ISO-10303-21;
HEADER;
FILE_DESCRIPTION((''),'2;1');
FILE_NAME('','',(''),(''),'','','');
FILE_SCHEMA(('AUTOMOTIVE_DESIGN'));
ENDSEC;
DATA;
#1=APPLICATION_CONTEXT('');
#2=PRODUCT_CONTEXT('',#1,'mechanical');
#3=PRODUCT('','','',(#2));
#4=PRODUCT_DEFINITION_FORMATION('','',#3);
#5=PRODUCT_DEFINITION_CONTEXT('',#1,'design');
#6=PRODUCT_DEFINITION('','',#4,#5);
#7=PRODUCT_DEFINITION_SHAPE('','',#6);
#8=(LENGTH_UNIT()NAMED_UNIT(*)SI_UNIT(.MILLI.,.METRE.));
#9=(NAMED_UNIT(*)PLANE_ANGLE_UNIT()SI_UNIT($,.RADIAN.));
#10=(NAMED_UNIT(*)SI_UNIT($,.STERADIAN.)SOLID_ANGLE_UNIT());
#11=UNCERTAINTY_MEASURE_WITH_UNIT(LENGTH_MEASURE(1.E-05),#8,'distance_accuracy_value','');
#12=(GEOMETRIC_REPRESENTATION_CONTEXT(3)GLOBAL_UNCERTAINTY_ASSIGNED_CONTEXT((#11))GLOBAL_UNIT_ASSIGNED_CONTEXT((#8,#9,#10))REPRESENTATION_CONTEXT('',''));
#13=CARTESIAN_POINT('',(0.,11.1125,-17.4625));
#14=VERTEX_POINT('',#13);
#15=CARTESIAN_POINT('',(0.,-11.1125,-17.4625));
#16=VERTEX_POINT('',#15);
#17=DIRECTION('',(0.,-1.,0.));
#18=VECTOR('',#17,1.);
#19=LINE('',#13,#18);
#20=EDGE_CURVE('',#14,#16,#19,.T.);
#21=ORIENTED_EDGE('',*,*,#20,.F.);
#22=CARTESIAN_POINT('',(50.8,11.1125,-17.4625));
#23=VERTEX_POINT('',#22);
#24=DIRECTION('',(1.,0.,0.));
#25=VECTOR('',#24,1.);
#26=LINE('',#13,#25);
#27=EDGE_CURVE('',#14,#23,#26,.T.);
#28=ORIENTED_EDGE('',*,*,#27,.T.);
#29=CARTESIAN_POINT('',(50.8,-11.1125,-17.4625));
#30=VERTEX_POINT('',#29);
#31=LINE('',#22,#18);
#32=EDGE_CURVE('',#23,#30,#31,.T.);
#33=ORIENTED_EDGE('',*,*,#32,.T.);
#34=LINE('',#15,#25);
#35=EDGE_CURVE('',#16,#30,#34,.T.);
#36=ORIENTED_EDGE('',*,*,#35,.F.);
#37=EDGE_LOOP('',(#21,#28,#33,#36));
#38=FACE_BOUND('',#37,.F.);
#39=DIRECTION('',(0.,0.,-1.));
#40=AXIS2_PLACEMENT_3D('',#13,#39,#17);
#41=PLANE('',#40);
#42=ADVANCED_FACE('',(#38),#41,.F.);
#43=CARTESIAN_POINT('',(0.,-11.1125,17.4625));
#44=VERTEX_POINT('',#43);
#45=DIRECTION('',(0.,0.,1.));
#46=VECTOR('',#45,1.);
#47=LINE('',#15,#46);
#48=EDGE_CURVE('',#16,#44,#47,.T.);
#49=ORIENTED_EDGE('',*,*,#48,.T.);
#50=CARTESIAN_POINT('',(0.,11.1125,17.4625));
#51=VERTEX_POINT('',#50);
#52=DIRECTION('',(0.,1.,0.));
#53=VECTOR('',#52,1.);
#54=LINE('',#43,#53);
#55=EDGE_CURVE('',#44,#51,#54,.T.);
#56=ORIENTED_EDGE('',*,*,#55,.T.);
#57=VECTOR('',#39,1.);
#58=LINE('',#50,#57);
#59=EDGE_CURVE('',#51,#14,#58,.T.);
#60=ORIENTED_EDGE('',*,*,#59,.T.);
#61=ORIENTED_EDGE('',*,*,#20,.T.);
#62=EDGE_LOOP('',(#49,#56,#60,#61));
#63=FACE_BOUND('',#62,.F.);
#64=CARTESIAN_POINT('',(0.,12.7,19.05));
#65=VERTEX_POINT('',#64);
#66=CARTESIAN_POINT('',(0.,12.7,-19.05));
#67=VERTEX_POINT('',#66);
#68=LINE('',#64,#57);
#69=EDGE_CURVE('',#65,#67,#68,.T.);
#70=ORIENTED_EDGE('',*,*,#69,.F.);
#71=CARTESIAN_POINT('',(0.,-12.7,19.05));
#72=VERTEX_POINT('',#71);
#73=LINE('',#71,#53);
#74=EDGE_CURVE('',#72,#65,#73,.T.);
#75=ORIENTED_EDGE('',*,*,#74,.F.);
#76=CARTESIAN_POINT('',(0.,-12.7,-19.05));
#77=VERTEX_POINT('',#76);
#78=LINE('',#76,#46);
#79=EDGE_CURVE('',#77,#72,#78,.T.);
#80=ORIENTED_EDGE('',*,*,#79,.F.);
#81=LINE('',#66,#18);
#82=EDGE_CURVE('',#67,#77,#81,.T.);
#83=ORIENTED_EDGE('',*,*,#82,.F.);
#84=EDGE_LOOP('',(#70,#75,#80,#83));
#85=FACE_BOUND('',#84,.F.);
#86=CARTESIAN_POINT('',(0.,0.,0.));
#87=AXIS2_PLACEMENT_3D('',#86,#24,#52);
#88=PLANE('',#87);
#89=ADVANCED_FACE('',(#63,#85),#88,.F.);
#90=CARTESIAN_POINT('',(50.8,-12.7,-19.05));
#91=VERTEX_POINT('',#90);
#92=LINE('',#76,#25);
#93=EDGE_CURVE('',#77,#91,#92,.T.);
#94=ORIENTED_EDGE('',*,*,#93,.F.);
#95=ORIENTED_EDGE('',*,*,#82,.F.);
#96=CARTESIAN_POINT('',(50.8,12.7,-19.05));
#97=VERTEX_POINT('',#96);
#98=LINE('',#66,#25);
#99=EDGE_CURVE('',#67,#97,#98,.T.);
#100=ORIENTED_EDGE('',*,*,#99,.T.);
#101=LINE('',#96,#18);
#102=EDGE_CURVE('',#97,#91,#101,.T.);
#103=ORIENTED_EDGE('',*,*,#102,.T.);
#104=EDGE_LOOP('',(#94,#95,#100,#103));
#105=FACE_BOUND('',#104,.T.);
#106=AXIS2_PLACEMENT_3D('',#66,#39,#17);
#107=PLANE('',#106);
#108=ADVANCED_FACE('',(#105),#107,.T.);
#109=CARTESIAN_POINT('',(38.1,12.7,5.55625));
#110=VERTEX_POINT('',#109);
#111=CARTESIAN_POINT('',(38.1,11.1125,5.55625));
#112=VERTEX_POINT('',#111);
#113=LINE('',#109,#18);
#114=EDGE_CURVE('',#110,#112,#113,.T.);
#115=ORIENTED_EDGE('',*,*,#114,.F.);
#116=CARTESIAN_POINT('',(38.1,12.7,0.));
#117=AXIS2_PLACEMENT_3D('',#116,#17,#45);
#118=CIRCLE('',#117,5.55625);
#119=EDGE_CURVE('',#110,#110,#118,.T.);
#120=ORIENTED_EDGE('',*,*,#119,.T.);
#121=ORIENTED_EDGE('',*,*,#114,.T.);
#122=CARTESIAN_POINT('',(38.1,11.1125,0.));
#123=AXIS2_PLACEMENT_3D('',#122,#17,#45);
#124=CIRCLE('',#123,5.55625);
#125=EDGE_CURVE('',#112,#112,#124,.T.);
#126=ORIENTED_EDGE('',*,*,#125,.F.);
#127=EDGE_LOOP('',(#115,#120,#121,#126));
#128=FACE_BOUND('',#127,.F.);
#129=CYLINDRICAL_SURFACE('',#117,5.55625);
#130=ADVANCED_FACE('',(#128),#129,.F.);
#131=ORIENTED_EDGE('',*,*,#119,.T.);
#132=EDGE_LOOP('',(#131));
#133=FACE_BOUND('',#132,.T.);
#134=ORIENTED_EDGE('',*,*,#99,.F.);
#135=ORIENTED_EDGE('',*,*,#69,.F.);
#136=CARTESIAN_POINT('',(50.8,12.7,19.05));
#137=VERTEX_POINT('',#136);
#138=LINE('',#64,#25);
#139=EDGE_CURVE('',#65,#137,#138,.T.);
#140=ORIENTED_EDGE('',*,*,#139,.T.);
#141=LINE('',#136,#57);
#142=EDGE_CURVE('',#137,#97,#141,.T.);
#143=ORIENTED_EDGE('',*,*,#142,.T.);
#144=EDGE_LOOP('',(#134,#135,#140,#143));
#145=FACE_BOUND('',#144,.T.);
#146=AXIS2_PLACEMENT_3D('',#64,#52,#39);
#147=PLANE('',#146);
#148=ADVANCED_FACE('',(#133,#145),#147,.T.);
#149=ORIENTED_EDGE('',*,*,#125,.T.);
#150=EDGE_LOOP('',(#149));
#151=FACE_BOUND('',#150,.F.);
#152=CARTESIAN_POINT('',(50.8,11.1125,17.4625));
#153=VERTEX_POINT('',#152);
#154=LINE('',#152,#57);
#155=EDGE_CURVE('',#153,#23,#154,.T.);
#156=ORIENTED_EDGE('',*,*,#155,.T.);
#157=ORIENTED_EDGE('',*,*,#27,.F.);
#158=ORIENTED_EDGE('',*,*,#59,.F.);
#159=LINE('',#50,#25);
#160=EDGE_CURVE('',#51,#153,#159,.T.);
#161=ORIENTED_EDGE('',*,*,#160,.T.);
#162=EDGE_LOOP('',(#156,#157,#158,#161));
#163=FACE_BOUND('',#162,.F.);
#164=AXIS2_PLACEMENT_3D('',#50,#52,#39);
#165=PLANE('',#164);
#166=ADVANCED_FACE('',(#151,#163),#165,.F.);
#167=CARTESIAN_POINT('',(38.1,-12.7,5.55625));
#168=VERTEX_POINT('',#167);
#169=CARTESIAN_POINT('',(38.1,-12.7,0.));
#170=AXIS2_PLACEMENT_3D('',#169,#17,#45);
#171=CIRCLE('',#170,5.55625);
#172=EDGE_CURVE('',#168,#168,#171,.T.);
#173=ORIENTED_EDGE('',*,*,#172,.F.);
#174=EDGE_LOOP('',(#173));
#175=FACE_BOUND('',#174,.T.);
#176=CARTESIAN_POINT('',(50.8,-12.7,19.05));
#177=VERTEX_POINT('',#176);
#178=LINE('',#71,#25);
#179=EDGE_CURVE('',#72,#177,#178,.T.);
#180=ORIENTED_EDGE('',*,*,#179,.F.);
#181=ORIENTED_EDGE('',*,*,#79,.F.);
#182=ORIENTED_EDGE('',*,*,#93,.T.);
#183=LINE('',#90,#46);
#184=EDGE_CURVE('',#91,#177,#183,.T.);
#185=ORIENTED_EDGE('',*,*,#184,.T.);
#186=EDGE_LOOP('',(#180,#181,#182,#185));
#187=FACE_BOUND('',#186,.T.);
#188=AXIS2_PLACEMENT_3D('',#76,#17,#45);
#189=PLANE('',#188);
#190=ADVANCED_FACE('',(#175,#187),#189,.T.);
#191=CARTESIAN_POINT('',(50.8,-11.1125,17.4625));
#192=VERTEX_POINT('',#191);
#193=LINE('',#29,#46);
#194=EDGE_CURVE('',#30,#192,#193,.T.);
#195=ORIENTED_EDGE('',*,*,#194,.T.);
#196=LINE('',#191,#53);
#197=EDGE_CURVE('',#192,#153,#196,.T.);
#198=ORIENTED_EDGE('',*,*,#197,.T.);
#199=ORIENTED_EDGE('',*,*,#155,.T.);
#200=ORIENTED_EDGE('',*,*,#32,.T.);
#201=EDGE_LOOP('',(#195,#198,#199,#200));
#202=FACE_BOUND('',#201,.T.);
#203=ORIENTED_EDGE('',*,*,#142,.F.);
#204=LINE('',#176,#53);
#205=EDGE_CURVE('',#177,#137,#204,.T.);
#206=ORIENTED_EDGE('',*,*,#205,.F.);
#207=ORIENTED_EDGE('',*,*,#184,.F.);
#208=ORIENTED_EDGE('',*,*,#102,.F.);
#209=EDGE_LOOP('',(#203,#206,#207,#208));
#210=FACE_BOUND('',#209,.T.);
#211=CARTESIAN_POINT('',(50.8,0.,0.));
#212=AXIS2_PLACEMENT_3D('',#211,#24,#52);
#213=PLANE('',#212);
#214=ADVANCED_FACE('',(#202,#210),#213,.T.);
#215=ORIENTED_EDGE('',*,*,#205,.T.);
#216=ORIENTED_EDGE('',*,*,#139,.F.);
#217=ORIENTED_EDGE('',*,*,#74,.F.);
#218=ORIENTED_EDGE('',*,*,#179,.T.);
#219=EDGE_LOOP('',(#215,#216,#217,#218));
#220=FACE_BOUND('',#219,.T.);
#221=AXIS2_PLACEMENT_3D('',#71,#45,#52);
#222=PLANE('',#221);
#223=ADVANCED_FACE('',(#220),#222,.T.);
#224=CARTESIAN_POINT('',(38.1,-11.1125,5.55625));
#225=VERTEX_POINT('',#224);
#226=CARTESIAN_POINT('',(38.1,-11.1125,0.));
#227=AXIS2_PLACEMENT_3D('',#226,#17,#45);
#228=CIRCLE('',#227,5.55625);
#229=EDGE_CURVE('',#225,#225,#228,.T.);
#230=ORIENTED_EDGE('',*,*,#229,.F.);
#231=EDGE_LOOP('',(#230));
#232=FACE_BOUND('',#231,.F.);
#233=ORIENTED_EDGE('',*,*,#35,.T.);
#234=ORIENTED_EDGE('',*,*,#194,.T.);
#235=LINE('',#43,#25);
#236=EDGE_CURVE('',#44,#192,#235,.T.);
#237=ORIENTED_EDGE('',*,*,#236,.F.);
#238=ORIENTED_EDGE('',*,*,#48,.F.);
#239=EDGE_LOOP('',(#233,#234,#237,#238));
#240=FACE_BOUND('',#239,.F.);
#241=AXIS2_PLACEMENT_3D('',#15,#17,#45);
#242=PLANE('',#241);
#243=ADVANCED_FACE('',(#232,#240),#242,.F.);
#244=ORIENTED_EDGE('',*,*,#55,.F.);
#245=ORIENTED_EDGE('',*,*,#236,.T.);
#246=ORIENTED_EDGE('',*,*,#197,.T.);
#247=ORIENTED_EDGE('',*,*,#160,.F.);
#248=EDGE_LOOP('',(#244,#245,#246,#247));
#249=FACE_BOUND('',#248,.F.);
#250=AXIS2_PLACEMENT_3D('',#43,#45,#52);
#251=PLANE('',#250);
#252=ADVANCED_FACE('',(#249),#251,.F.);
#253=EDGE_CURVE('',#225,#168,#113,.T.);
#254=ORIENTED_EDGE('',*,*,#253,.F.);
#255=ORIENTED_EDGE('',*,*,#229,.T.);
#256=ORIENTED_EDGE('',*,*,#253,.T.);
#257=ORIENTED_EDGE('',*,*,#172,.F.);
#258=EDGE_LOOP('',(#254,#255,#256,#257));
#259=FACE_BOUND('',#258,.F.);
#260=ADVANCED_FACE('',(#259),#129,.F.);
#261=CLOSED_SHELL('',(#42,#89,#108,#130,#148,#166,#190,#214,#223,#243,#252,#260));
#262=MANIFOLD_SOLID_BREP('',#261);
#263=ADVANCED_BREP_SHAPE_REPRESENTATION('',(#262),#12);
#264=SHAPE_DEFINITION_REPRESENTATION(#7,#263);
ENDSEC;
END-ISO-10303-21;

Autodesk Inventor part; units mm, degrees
ref_plane "Work Plane3" through (0, 12.7, 0) normal (0, 1, 0) x (-1, 0, 0)
ref_plane "Start Plane" through (0, 0, 0) normal (1, 0, 0) x (0, 1, 0)
ref_plane "End Plane" through (50.8, 0, 0) normal (1, 0, 0) x (0, 1, 0)
sketch "Sketch" plane through (0, 0, 0) normal (1, 0, 0) x (0, 1, 0)
  line L0 (-12.7, 19.05) -> (12.7, 19.05)
  line L1 (12.7, 19.05) -> (12.7, -19.05)
  line L2 (12.7, -19.05) -> (-12.7, -19.05)
  line L3 (-12.7, -19.05) -> (-12.7, 19.05)
  line L4 (-12.7, 19.05) -> (12.7, -19.05) construction
  line L5 (12.7, 19.05) -> (-12.7, -19.05) construction
  line L6 (-11.1125, 17.4625) -> (11.1125, 17.4625)
  line L7 (11.1125, 17.4625) -> (11.1125, -17.4625)
  line L8 (11.1125, -17.4625) -> (-11.1125, -17.4625)
  line L9 (-11.1125, -17.4625) -> (-11.1125, 17.4625)
  line L10 (-11.1125, 17.4625) -> (11.1125, -17.4625) construction
  line L11 (11.1125, 17.4625) -> (-11.1125, -17.4625) construction
  point P0 (0, 0)
  dimension "d0" = 38.1
  dimension "d1" = 25.4
  dimension "d2" = 1.5875
  dimension "d3" = 1.5875
extrude "Body" add sketch "Sketch" along normal up to surface (50.8 mm away) from surface at 0
sketch "Sketch8" plane through (0, 0, 0) normal (1, 0, 0) x (0, 1, 0)
  line L0 (0, 0) -> (10, 0)
ref_plane "Work Plane6" through (0, 0, 0) normal (0, 0, -1) x (0, 1, 0)
sketch "Sketch9" plane through (0, 0, 0) normal (0, 0, -1) x (0, 1, 0)
  line L0 (-17.78, 0) -> (17.78, 0)
  line L1 (-17.78, 50.8) -> (17.78, 50.8)
  dimension "d21" = 50.8
sketch "Sketch5" plane through (0, 12.7, -19.05) normal (0, 1, 0) x (1, 0, 0)
  line L0 (0, -38.1) -> (0, 0) projected
  point P0 (0, -19.05)
  point P1 (38.1, -19.05)
  dimension "d22" = 38.1
hole "Hole2" at (38.1, 12.7, 0) direction (0, -1, 0) diameter 11.1125 end through all
equation "\"d3\" = d2"
equation "\"G_OFFSET_START\" = 0"
equation "\"G_OFFSET_END\" = 0"
equation "\"d17\" = d4 + G_OFFSET_END"
equation "\"G_L\" = d21"
equation "\"d4\" = 50.8"
properties part number "1605036817489"
